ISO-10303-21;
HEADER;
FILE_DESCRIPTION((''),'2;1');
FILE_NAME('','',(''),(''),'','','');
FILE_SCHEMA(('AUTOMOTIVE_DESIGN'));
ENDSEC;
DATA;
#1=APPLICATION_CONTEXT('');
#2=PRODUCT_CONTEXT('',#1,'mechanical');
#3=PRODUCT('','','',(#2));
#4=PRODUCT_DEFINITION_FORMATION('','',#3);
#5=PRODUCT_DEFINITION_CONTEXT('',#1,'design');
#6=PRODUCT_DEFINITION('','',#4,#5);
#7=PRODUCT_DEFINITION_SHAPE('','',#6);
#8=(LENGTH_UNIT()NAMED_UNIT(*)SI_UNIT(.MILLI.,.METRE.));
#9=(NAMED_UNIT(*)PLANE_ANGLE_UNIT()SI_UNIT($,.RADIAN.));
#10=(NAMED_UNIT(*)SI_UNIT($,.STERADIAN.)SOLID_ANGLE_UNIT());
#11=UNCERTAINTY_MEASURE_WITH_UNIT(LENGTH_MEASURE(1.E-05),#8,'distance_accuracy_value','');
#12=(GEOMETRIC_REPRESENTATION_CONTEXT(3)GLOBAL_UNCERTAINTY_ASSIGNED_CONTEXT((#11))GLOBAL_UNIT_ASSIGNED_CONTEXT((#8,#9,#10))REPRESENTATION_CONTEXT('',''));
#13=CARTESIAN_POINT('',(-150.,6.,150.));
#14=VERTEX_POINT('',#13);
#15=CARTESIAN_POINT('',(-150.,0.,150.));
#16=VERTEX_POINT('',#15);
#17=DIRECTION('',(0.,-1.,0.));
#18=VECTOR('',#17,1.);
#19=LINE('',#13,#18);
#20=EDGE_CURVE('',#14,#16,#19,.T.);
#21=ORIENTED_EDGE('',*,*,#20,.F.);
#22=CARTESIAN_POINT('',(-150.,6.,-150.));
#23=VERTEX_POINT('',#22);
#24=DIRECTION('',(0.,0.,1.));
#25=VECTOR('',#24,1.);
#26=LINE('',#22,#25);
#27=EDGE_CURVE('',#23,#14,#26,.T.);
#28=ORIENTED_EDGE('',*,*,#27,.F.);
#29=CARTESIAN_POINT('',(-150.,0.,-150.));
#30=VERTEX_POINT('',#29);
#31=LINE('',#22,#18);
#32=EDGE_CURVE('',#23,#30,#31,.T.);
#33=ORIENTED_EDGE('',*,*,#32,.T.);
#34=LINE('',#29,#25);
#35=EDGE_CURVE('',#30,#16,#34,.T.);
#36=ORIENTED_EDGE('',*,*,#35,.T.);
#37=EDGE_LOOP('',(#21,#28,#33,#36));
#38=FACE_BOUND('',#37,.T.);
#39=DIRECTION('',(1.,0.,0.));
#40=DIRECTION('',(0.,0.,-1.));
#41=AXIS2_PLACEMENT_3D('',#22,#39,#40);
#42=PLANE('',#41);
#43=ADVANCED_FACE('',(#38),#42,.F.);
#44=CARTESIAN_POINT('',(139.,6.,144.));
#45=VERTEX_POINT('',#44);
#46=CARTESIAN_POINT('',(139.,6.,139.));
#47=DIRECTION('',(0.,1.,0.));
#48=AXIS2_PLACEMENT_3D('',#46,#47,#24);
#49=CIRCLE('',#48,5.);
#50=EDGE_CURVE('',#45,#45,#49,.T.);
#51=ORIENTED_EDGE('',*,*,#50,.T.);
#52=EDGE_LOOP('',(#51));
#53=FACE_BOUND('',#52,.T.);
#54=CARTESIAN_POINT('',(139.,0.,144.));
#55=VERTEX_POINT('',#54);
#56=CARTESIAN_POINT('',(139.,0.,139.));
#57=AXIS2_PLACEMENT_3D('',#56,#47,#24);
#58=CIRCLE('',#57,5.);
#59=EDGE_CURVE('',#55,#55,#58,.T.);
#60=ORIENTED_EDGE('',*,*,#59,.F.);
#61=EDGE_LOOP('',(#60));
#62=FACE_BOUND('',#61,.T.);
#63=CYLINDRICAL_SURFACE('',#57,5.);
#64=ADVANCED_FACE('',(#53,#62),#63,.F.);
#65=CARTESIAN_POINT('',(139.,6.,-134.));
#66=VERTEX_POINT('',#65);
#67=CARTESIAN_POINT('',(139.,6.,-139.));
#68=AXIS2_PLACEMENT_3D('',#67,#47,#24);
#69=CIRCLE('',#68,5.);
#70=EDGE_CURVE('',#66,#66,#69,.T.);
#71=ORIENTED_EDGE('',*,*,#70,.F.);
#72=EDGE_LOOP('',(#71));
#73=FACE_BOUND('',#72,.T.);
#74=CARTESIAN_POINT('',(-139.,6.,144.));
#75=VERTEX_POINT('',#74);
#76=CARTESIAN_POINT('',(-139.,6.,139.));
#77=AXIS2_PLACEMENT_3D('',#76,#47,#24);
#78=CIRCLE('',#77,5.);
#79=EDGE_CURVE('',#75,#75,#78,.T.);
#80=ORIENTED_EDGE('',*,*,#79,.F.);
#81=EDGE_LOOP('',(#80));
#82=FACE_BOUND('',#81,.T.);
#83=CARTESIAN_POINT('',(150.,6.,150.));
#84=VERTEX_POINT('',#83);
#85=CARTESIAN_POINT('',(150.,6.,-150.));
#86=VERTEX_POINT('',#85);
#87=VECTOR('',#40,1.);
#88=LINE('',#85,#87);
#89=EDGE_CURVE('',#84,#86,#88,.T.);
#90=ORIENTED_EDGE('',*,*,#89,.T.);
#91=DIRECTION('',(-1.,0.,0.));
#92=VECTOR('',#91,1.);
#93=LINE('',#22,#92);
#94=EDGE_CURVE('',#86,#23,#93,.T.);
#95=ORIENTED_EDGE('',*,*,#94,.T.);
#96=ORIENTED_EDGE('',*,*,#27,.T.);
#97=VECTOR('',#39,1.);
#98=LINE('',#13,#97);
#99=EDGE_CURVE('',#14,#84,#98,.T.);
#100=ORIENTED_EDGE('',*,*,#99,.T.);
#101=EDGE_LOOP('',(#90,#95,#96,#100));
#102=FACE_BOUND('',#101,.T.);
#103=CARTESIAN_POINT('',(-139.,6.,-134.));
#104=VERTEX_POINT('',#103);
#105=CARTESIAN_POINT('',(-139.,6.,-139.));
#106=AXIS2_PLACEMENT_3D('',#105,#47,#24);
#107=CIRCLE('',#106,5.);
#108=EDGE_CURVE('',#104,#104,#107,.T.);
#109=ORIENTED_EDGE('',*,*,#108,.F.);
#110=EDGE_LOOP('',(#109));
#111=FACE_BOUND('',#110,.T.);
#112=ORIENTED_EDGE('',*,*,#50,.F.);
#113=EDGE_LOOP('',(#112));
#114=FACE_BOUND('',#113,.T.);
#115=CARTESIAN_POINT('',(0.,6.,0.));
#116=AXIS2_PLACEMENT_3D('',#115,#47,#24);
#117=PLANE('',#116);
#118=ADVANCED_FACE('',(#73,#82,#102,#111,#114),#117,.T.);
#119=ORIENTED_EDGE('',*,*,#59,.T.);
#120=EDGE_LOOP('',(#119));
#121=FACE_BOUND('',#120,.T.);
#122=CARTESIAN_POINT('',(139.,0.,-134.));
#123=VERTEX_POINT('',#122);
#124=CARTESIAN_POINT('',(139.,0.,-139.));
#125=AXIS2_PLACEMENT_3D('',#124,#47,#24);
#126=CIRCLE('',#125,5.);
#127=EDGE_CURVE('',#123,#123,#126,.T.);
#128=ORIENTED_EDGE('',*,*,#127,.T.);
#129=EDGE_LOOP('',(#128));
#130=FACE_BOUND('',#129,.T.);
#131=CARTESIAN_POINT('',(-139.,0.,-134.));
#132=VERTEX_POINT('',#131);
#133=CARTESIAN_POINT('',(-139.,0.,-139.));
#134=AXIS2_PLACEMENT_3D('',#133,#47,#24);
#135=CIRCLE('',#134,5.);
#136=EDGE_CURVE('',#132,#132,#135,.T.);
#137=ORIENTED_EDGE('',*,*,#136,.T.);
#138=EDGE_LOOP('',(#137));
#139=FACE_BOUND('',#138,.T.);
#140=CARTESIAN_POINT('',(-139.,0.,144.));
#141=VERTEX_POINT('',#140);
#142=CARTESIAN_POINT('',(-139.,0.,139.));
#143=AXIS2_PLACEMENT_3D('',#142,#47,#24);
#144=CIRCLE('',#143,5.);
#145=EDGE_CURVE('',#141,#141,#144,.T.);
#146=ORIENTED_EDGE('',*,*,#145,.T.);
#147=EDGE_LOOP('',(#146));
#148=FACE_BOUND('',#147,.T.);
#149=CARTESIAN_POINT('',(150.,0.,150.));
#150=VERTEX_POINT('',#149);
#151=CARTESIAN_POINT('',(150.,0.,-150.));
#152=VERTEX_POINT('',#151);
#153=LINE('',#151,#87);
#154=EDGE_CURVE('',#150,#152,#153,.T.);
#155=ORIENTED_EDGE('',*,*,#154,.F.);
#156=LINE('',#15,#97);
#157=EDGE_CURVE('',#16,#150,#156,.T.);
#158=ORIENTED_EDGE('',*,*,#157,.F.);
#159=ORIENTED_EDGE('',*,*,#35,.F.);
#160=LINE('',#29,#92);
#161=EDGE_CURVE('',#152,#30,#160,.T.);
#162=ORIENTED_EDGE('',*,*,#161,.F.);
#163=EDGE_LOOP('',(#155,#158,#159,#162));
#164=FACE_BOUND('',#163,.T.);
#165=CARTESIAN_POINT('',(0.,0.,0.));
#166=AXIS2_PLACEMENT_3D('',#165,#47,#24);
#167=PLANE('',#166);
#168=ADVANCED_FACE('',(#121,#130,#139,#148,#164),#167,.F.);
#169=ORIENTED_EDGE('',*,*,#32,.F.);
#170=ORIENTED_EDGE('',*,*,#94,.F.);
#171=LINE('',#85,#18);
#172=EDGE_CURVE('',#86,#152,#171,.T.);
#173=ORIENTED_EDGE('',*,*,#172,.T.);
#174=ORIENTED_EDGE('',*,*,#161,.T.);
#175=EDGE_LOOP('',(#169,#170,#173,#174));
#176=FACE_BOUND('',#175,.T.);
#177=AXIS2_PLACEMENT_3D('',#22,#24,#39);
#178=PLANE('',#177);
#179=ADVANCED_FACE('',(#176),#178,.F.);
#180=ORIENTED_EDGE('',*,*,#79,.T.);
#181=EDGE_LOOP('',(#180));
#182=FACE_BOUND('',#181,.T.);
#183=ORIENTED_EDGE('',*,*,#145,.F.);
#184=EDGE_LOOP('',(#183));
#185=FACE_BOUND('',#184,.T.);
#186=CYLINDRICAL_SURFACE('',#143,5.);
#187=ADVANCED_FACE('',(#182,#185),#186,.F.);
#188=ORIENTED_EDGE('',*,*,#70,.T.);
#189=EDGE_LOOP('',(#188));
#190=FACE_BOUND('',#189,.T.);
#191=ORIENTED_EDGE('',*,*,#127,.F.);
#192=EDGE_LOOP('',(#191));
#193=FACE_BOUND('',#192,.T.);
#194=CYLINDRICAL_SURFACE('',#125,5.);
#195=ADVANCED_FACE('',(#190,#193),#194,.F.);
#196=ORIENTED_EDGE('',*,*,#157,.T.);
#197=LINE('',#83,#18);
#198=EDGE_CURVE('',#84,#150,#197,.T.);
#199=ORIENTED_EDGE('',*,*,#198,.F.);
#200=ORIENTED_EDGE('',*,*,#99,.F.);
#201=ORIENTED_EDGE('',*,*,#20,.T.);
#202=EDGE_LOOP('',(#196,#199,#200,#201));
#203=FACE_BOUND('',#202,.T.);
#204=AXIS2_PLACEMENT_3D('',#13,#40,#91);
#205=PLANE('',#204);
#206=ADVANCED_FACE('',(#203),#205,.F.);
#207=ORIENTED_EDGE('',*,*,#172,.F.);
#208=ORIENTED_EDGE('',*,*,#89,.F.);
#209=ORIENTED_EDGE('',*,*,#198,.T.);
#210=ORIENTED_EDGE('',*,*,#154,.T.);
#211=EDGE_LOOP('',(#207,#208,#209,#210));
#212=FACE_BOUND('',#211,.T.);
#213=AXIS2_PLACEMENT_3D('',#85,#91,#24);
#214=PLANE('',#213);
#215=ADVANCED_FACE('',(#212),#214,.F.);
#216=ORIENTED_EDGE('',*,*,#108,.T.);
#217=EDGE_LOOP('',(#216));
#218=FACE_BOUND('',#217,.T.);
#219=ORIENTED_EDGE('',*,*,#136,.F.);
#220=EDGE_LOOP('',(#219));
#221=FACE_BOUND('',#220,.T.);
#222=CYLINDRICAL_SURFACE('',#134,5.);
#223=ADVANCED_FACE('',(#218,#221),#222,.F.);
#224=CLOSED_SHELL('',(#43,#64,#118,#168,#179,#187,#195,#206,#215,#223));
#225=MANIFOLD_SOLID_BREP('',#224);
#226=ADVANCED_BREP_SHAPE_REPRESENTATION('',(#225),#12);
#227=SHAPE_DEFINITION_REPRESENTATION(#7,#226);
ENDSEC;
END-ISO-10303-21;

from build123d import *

# Parameters (mm, degrees)
ESBO_O1_W                = 300
ESBO_O1_H                = 300
RESSALTO_EXTRUS_O1_DEPTH = 6
ESBO_O2_R                = 5
CORTE_EXTRUS_O1_DEPTH    = 213.216870206


with BuildPart() as part:
    # Esboço1 → Ressalto-extrusão1 (new body)
    with BuildSketch(Plane(origin=(0, 0, 0), x_dir=(1, 0, 0), z_dir=(0, 1, 0))):
        Rectangle(ESBO_O1_W, ESBO_O1_H)
    extrude(amount=RESSALTO_EXTRUS_O1_DEPTH)

    # Esboço2 → Corte-extrusão1 (cut, through all)
    with BuildSketch(Plane(origin=(0, 6, 0), x_dir=(1, 0, 0), z_dir=(0, 1, 0))):
        with Locations(Location((-139, 139, 0), (0, 0, 270))):
            Circle(ESBO_O2_R)
        with Locations(Location((139, 139, 0), (0, 0, 270))):
            Circle(ESBO_O2_R)
        with Locations(Location((139, -139, 0), (0, 0, 270))):
            Circle(ESBO_O2_R)
        with Locations(Location((-139, -139, 0), (0, 0, 270))):
            Circle(ESBO_O2_R)
    extrude(amount=-CORTE_EXTRUS_O1_DEPTH, mode=Mode.SUBTRACT)


solid = part.part
